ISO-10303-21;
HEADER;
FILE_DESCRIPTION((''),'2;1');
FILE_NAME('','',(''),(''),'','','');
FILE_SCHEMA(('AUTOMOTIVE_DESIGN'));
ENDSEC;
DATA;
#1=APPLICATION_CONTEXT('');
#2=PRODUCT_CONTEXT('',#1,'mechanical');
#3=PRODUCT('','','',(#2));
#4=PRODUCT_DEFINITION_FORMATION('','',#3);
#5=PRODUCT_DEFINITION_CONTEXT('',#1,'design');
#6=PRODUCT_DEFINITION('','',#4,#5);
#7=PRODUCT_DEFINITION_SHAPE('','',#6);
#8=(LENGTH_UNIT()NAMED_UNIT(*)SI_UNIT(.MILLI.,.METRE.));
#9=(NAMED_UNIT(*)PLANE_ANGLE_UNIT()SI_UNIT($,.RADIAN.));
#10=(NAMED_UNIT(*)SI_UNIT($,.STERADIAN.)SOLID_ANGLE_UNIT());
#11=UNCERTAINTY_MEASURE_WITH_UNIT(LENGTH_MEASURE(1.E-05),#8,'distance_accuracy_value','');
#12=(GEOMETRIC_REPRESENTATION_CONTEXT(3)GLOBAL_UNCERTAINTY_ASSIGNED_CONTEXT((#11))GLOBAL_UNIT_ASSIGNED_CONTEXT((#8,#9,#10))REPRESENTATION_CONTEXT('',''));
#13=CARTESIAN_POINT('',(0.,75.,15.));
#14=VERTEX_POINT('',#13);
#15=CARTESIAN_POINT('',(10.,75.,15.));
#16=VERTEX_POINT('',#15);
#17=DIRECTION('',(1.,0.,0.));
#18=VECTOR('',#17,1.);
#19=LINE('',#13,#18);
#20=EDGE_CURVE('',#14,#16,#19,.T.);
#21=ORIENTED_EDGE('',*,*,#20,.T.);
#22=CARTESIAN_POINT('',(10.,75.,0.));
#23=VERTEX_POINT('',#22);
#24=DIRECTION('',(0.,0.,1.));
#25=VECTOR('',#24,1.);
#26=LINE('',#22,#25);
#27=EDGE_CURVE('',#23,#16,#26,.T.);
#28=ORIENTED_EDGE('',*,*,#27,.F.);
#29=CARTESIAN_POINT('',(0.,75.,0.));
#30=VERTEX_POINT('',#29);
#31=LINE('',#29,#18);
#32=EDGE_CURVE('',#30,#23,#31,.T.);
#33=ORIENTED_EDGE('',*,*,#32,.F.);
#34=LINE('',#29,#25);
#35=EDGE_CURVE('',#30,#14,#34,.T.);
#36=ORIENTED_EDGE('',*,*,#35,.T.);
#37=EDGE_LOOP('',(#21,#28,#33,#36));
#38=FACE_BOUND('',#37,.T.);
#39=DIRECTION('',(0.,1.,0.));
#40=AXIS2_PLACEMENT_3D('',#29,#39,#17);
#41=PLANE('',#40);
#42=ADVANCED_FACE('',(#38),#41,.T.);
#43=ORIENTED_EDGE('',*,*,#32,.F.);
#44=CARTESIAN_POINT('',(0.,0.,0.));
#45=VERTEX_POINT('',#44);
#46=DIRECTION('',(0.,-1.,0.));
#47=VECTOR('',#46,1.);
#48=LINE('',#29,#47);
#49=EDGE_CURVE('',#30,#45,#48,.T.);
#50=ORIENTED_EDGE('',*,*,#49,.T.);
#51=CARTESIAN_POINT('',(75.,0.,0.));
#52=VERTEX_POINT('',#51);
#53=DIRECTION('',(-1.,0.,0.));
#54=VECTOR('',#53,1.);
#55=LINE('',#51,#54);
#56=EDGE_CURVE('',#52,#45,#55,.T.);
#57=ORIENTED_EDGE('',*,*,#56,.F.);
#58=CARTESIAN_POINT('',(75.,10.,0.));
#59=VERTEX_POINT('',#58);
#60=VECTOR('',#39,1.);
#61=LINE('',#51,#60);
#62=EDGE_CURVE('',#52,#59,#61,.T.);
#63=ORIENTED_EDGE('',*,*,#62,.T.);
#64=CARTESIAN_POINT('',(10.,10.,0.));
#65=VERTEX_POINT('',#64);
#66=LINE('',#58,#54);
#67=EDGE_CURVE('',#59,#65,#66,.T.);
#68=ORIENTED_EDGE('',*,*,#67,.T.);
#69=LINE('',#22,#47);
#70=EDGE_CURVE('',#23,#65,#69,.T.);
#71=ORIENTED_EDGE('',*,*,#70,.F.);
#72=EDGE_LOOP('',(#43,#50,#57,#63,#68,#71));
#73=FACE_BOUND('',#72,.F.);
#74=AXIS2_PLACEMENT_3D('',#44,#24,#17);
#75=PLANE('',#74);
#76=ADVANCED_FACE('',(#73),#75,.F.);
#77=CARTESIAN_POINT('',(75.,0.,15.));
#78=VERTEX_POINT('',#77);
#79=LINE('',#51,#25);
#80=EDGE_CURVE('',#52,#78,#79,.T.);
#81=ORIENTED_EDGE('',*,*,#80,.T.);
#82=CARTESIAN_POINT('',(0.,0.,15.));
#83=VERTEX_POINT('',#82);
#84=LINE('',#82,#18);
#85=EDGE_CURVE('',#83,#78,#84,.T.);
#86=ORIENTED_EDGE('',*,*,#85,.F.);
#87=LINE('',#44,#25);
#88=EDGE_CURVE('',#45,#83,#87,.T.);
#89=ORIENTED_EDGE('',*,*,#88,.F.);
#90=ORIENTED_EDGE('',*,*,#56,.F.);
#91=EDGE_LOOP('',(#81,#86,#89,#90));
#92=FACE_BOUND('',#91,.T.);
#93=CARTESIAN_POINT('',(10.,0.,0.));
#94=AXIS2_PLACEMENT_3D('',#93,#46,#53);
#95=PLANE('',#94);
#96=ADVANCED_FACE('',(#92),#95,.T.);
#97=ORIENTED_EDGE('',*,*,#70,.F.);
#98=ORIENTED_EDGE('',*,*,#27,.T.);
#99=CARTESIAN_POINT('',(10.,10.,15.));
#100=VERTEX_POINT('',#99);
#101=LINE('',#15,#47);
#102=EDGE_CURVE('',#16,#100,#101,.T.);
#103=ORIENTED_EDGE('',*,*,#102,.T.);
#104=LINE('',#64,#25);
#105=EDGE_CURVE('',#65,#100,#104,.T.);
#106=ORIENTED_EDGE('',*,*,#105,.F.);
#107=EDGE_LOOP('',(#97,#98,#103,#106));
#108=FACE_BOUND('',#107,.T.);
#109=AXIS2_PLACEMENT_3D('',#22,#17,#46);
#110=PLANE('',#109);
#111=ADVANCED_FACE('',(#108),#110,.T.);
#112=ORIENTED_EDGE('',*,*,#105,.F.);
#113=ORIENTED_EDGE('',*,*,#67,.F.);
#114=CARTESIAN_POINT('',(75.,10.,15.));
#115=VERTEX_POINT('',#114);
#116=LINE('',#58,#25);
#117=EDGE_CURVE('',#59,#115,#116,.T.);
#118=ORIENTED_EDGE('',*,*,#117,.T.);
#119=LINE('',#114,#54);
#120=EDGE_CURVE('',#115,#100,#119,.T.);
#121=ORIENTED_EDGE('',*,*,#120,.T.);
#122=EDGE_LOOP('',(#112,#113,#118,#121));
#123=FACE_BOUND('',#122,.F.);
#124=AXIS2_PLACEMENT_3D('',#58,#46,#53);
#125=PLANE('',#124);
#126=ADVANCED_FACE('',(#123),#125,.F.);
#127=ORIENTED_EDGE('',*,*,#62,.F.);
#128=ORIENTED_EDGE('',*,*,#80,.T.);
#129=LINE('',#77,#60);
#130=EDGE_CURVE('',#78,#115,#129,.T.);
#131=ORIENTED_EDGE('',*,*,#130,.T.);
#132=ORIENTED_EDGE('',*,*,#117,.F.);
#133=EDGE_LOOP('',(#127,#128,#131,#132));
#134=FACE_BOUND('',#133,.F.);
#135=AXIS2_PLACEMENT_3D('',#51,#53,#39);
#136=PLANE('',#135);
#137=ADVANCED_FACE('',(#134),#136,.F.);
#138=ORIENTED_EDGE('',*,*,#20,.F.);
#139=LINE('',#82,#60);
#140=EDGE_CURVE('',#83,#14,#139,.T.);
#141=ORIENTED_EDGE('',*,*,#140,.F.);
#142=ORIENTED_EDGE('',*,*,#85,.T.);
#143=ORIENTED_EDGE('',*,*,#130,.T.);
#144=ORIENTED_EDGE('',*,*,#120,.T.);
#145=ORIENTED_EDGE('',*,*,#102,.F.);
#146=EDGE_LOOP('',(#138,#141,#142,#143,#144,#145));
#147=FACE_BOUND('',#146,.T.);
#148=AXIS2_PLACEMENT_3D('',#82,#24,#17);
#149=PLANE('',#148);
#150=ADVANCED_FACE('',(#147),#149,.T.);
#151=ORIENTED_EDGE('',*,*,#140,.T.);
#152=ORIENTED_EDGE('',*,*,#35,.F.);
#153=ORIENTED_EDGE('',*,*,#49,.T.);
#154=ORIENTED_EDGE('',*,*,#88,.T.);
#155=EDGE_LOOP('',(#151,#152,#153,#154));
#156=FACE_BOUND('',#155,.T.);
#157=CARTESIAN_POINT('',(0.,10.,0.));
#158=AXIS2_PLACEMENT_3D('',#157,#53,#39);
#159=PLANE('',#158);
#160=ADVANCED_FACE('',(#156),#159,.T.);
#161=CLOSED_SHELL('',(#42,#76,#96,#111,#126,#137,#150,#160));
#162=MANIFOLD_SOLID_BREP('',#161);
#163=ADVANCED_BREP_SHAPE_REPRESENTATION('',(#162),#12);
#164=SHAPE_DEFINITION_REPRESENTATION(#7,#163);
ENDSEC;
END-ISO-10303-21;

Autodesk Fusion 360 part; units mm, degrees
sketch "Sketch1" plane through (0, 0, 0) normal (0, 0, 1) x (1, 0, 0)
  line L0 (0, 75) -> (10, 75)
  line L1 (10, 75) -> (10, 0)
  line L2 (10, 0) -> (0, 0)
  line L3 (0, 0) -> (0, 75)
  line L4 (0, 0) -> (75, 0)
  line L5 (75, 0) -> (75, 10)
  line L6 (75, 10) -> (0, 10)
  line L7 (0, 10) -> (0, 0)
extrude "Extrude1" add sketch "Sketch1" along normal blind 15
